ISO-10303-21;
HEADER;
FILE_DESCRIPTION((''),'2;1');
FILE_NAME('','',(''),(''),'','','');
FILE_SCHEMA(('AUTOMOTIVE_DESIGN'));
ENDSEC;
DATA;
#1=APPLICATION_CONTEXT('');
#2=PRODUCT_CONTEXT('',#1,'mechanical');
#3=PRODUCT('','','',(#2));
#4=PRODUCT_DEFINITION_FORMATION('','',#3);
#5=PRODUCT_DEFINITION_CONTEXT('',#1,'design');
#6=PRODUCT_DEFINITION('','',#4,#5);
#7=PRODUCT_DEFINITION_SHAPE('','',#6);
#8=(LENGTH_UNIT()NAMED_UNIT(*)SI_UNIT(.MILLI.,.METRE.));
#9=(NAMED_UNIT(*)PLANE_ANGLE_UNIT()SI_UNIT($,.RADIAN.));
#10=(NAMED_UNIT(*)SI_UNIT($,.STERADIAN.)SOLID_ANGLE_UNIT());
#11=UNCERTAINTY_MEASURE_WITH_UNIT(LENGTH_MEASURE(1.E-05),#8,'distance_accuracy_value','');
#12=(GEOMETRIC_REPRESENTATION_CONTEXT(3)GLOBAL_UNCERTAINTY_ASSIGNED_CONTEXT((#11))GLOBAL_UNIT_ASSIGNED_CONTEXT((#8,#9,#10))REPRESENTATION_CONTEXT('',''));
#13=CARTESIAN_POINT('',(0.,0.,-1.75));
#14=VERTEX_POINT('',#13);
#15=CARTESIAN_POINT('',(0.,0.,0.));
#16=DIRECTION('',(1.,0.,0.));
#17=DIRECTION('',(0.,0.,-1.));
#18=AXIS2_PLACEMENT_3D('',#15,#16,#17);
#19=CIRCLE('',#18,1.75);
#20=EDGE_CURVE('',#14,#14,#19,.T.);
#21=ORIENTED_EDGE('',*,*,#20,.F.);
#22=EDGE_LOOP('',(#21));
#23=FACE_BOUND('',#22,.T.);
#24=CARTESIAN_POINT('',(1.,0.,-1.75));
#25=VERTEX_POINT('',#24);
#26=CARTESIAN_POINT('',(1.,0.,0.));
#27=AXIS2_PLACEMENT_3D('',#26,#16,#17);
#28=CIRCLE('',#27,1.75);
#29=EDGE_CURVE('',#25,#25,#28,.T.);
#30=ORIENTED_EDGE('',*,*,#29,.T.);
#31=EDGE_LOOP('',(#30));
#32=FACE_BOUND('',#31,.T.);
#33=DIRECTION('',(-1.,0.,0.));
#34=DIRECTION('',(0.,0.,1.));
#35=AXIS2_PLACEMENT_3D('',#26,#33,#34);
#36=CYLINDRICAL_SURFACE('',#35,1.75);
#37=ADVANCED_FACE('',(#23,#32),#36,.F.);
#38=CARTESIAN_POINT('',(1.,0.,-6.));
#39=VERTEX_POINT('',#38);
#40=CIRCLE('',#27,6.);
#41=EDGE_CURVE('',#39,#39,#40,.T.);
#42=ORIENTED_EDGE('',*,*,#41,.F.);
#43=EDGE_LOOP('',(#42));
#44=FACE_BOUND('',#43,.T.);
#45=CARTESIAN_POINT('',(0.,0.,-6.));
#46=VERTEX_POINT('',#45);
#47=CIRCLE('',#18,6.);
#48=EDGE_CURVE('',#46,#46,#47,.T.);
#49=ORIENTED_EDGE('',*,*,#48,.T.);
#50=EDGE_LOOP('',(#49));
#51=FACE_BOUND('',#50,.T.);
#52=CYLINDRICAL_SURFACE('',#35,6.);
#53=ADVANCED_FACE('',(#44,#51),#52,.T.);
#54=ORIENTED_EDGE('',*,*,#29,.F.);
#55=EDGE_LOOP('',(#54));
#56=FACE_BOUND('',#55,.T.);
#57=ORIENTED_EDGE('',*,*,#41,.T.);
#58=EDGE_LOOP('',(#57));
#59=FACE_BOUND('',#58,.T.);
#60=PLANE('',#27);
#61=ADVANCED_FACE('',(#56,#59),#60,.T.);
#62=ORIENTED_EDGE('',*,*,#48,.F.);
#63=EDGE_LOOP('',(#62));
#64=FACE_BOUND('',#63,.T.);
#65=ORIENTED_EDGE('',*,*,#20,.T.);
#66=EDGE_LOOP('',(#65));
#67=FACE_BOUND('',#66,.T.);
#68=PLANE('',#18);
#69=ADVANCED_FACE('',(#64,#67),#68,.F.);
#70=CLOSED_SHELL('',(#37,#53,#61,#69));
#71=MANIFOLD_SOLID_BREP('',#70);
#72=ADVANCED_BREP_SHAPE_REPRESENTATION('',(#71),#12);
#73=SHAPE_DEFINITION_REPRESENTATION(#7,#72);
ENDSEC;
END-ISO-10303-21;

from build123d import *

# Parameters (mm, degrees)
SKETCH_1_R      = 6
SKETCH_1_R_2    = 1.75
EXTRUDE_1_DEPTH = 1


with BuildPart() as part:
    # 草图1 → 凸台-拉伸1 (new body)
    with BuildSketch(Plane(origin=(0, 0, 0), x_dir=(0, 0, -1), z_dir=(1, 0, 0))):
        Circle(SKETCH_1_R)
        Circle(SKETCH_1_R_2, mode=Mode.SUBTRACT)
    extrude(amount=EXTRUDE_1_DEPTH)


solid = part.part
